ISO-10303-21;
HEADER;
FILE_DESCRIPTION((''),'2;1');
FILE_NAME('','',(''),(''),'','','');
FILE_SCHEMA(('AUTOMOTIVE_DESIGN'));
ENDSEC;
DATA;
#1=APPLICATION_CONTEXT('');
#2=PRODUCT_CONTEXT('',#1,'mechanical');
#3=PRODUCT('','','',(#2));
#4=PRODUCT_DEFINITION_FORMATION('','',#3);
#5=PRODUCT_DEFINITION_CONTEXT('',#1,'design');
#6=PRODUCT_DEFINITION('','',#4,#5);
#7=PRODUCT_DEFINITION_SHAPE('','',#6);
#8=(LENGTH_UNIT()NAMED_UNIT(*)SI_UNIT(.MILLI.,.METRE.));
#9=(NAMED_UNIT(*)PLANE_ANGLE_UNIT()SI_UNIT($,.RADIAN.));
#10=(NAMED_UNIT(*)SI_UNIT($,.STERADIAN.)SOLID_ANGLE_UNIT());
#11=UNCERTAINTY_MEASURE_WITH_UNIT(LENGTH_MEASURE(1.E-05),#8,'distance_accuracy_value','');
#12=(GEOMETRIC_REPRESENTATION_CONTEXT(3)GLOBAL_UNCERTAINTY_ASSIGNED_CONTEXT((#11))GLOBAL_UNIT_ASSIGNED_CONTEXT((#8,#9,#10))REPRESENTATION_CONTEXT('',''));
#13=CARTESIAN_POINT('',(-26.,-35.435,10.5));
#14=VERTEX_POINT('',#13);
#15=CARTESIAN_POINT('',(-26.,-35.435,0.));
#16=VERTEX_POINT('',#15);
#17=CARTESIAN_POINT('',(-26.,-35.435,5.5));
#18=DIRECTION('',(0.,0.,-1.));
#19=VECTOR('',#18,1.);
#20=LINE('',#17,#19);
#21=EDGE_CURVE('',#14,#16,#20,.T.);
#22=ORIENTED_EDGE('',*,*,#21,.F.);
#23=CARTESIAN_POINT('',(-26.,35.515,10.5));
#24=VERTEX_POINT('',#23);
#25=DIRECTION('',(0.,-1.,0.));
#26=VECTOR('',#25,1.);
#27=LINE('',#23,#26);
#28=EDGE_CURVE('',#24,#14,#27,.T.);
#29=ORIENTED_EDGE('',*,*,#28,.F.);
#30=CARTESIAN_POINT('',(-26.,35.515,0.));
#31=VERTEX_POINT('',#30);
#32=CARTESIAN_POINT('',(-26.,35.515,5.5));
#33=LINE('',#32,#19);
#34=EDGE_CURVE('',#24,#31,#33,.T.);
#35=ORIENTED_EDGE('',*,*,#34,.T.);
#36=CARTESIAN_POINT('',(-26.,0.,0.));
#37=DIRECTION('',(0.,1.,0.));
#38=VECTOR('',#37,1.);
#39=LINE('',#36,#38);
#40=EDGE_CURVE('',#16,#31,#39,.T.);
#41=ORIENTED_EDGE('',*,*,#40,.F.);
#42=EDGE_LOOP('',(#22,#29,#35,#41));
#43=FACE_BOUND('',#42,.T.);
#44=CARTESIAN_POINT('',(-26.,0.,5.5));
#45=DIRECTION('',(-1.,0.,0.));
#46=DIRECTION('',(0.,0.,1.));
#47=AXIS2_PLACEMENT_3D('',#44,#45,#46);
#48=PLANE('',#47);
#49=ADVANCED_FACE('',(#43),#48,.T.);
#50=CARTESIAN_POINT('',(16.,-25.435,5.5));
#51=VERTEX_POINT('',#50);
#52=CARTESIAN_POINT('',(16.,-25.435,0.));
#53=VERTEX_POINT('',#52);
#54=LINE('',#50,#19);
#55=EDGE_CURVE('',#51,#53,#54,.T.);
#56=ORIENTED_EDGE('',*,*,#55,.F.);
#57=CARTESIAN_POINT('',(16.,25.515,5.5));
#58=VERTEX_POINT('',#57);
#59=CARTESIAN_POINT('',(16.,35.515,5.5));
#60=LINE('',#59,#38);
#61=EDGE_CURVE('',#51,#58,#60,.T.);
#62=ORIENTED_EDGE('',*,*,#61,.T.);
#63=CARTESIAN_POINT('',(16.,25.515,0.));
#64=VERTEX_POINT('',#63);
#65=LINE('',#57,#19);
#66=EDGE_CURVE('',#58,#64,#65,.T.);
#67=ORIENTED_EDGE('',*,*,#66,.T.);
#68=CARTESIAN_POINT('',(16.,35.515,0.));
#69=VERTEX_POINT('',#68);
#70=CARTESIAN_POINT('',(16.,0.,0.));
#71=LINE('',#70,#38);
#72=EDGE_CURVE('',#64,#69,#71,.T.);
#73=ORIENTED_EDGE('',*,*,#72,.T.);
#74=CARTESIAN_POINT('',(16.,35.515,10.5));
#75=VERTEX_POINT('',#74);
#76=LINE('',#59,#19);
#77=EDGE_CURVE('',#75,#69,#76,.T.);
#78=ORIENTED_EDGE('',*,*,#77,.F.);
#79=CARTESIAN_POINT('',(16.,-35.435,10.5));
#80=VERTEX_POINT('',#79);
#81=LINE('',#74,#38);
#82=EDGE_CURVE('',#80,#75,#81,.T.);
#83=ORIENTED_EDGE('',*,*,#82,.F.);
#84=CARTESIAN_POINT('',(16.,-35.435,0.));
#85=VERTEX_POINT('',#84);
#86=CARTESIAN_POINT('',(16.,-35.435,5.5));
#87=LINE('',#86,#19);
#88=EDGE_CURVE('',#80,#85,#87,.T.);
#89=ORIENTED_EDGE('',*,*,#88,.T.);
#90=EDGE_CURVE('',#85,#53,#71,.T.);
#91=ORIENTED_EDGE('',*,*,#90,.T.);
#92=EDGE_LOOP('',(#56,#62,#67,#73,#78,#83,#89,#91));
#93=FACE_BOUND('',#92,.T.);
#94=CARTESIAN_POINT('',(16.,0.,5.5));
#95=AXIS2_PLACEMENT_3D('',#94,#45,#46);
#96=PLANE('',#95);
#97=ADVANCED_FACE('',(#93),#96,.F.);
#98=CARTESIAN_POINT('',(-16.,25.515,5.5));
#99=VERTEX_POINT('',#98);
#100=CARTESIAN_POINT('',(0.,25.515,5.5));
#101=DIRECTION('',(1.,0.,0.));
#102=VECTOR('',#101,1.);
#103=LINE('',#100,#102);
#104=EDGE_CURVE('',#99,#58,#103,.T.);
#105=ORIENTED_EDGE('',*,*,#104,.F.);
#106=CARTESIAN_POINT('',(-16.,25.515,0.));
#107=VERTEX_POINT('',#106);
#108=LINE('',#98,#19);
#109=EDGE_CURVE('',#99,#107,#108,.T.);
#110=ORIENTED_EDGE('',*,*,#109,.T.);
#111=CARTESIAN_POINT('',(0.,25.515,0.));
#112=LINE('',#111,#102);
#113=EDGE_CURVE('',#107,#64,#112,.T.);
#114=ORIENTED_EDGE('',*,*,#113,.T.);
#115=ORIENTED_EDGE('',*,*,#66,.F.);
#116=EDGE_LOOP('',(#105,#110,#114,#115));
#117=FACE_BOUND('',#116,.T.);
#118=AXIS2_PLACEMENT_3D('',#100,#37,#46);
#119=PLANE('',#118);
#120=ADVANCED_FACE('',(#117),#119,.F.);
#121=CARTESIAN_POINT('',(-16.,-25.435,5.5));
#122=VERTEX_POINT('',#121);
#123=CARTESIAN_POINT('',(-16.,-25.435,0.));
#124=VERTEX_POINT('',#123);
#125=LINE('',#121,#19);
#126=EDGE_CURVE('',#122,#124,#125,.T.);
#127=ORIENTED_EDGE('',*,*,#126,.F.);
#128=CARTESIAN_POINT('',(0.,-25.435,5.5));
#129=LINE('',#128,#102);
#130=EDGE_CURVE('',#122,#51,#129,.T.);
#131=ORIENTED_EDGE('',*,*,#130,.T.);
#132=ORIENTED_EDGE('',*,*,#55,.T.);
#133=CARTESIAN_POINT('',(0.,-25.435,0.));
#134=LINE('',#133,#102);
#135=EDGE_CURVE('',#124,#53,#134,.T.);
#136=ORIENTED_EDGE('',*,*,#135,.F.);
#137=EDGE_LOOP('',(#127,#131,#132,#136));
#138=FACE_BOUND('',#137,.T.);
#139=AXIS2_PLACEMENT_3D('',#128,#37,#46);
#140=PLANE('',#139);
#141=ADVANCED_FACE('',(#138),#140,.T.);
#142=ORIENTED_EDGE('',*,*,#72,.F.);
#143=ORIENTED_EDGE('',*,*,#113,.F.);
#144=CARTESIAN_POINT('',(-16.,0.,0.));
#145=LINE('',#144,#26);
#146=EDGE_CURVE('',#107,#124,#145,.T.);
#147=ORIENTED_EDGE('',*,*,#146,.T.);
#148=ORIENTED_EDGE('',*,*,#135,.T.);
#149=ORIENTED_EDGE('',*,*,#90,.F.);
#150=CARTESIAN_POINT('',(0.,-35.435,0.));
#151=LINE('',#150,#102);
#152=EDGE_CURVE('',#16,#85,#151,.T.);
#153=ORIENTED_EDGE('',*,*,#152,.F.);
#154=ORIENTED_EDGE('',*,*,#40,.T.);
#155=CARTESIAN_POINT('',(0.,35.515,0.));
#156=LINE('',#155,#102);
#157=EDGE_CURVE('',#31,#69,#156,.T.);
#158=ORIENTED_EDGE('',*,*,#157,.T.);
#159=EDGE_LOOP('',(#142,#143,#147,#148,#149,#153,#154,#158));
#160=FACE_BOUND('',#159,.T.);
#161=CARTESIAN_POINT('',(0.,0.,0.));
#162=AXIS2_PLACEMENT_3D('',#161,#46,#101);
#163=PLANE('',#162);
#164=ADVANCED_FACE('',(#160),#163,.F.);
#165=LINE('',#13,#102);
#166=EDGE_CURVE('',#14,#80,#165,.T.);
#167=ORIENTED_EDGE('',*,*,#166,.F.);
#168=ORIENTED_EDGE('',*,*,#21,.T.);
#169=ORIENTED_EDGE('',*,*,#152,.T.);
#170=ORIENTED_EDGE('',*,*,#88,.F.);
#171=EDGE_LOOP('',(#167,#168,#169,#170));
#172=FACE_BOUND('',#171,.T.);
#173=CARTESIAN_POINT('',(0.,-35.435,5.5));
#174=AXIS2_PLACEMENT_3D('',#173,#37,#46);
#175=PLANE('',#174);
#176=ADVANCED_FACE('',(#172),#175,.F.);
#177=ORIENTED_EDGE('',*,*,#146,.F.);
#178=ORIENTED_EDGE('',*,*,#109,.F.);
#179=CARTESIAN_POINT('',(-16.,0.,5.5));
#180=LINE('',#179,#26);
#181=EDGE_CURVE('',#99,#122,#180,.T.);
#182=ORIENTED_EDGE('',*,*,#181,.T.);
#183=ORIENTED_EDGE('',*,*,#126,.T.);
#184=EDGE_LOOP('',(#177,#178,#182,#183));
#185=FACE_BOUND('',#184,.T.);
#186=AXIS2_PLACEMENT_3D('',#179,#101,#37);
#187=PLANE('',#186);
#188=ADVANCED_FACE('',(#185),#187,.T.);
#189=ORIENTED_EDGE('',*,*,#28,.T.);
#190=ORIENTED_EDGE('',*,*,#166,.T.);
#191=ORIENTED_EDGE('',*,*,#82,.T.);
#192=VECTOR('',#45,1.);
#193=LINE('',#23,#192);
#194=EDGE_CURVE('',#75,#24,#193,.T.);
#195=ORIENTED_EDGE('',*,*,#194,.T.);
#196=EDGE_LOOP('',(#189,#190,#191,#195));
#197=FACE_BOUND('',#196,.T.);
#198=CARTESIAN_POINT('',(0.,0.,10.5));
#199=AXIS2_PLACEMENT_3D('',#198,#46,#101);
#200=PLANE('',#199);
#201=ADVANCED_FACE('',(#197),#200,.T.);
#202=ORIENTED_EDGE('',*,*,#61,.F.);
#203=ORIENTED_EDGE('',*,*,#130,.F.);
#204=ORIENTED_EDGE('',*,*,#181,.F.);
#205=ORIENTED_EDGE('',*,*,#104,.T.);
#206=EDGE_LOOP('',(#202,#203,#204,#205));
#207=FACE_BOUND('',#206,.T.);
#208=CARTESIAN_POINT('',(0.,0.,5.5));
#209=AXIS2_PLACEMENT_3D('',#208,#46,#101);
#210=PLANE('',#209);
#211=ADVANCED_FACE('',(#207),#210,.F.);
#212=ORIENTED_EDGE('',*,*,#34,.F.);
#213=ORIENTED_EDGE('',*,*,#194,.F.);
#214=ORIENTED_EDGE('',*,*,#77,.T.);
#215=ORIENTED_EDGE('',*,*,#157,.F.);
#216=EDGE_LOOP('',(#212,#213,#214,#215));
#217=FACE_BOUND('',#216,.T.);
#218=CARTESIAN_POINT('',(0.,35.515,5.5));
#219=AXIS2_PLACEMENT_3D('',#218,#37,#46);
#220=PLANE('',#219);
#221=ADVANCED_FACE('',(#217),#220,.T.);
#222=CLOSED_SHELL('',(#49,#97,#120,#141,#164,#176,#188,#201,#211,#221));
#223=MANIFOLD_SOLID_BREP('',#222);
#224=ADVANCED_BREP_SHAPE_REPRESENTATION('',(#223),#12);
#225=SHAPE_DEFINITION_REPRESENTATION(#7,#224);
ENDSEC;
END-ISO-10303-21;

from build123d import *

# Parameters (mm, degrees)
SALIENTE_EXTRUIR1_DEPTH = 5.5
CROQUIS2_W              = 42
CROQUIS2_H              = 70.95
SALIENTE_EXTRUIR2_DEPTH = 5


with BuildPart() as part:
    # Croquis1 → Saliente-Extruir1 (new body)
    with BuildSketch(Plane.XY):
        Polygon((-16, -25.435), (-16, 25.515), (16, 25.515), (16, 35.515), (-26, 35.515), (-26, -35.435), (16, -35.435), (16, -25.435), align=None)
    extrude(amount=SALIENTE_EXTRUIR1_DEPTH)

    # Croquis2 → Saliente-Extruir2 (add)
    with BuildSketch(Plane.XY.offset(5.5)):
        with Locations((-5, 0.04)):
            Rectangle(CROQUIS2_W, CROQUIS2_H)
    extrude(amount=SALIENTE_EXTRUIR2_DEPTH)


solid = part.part
